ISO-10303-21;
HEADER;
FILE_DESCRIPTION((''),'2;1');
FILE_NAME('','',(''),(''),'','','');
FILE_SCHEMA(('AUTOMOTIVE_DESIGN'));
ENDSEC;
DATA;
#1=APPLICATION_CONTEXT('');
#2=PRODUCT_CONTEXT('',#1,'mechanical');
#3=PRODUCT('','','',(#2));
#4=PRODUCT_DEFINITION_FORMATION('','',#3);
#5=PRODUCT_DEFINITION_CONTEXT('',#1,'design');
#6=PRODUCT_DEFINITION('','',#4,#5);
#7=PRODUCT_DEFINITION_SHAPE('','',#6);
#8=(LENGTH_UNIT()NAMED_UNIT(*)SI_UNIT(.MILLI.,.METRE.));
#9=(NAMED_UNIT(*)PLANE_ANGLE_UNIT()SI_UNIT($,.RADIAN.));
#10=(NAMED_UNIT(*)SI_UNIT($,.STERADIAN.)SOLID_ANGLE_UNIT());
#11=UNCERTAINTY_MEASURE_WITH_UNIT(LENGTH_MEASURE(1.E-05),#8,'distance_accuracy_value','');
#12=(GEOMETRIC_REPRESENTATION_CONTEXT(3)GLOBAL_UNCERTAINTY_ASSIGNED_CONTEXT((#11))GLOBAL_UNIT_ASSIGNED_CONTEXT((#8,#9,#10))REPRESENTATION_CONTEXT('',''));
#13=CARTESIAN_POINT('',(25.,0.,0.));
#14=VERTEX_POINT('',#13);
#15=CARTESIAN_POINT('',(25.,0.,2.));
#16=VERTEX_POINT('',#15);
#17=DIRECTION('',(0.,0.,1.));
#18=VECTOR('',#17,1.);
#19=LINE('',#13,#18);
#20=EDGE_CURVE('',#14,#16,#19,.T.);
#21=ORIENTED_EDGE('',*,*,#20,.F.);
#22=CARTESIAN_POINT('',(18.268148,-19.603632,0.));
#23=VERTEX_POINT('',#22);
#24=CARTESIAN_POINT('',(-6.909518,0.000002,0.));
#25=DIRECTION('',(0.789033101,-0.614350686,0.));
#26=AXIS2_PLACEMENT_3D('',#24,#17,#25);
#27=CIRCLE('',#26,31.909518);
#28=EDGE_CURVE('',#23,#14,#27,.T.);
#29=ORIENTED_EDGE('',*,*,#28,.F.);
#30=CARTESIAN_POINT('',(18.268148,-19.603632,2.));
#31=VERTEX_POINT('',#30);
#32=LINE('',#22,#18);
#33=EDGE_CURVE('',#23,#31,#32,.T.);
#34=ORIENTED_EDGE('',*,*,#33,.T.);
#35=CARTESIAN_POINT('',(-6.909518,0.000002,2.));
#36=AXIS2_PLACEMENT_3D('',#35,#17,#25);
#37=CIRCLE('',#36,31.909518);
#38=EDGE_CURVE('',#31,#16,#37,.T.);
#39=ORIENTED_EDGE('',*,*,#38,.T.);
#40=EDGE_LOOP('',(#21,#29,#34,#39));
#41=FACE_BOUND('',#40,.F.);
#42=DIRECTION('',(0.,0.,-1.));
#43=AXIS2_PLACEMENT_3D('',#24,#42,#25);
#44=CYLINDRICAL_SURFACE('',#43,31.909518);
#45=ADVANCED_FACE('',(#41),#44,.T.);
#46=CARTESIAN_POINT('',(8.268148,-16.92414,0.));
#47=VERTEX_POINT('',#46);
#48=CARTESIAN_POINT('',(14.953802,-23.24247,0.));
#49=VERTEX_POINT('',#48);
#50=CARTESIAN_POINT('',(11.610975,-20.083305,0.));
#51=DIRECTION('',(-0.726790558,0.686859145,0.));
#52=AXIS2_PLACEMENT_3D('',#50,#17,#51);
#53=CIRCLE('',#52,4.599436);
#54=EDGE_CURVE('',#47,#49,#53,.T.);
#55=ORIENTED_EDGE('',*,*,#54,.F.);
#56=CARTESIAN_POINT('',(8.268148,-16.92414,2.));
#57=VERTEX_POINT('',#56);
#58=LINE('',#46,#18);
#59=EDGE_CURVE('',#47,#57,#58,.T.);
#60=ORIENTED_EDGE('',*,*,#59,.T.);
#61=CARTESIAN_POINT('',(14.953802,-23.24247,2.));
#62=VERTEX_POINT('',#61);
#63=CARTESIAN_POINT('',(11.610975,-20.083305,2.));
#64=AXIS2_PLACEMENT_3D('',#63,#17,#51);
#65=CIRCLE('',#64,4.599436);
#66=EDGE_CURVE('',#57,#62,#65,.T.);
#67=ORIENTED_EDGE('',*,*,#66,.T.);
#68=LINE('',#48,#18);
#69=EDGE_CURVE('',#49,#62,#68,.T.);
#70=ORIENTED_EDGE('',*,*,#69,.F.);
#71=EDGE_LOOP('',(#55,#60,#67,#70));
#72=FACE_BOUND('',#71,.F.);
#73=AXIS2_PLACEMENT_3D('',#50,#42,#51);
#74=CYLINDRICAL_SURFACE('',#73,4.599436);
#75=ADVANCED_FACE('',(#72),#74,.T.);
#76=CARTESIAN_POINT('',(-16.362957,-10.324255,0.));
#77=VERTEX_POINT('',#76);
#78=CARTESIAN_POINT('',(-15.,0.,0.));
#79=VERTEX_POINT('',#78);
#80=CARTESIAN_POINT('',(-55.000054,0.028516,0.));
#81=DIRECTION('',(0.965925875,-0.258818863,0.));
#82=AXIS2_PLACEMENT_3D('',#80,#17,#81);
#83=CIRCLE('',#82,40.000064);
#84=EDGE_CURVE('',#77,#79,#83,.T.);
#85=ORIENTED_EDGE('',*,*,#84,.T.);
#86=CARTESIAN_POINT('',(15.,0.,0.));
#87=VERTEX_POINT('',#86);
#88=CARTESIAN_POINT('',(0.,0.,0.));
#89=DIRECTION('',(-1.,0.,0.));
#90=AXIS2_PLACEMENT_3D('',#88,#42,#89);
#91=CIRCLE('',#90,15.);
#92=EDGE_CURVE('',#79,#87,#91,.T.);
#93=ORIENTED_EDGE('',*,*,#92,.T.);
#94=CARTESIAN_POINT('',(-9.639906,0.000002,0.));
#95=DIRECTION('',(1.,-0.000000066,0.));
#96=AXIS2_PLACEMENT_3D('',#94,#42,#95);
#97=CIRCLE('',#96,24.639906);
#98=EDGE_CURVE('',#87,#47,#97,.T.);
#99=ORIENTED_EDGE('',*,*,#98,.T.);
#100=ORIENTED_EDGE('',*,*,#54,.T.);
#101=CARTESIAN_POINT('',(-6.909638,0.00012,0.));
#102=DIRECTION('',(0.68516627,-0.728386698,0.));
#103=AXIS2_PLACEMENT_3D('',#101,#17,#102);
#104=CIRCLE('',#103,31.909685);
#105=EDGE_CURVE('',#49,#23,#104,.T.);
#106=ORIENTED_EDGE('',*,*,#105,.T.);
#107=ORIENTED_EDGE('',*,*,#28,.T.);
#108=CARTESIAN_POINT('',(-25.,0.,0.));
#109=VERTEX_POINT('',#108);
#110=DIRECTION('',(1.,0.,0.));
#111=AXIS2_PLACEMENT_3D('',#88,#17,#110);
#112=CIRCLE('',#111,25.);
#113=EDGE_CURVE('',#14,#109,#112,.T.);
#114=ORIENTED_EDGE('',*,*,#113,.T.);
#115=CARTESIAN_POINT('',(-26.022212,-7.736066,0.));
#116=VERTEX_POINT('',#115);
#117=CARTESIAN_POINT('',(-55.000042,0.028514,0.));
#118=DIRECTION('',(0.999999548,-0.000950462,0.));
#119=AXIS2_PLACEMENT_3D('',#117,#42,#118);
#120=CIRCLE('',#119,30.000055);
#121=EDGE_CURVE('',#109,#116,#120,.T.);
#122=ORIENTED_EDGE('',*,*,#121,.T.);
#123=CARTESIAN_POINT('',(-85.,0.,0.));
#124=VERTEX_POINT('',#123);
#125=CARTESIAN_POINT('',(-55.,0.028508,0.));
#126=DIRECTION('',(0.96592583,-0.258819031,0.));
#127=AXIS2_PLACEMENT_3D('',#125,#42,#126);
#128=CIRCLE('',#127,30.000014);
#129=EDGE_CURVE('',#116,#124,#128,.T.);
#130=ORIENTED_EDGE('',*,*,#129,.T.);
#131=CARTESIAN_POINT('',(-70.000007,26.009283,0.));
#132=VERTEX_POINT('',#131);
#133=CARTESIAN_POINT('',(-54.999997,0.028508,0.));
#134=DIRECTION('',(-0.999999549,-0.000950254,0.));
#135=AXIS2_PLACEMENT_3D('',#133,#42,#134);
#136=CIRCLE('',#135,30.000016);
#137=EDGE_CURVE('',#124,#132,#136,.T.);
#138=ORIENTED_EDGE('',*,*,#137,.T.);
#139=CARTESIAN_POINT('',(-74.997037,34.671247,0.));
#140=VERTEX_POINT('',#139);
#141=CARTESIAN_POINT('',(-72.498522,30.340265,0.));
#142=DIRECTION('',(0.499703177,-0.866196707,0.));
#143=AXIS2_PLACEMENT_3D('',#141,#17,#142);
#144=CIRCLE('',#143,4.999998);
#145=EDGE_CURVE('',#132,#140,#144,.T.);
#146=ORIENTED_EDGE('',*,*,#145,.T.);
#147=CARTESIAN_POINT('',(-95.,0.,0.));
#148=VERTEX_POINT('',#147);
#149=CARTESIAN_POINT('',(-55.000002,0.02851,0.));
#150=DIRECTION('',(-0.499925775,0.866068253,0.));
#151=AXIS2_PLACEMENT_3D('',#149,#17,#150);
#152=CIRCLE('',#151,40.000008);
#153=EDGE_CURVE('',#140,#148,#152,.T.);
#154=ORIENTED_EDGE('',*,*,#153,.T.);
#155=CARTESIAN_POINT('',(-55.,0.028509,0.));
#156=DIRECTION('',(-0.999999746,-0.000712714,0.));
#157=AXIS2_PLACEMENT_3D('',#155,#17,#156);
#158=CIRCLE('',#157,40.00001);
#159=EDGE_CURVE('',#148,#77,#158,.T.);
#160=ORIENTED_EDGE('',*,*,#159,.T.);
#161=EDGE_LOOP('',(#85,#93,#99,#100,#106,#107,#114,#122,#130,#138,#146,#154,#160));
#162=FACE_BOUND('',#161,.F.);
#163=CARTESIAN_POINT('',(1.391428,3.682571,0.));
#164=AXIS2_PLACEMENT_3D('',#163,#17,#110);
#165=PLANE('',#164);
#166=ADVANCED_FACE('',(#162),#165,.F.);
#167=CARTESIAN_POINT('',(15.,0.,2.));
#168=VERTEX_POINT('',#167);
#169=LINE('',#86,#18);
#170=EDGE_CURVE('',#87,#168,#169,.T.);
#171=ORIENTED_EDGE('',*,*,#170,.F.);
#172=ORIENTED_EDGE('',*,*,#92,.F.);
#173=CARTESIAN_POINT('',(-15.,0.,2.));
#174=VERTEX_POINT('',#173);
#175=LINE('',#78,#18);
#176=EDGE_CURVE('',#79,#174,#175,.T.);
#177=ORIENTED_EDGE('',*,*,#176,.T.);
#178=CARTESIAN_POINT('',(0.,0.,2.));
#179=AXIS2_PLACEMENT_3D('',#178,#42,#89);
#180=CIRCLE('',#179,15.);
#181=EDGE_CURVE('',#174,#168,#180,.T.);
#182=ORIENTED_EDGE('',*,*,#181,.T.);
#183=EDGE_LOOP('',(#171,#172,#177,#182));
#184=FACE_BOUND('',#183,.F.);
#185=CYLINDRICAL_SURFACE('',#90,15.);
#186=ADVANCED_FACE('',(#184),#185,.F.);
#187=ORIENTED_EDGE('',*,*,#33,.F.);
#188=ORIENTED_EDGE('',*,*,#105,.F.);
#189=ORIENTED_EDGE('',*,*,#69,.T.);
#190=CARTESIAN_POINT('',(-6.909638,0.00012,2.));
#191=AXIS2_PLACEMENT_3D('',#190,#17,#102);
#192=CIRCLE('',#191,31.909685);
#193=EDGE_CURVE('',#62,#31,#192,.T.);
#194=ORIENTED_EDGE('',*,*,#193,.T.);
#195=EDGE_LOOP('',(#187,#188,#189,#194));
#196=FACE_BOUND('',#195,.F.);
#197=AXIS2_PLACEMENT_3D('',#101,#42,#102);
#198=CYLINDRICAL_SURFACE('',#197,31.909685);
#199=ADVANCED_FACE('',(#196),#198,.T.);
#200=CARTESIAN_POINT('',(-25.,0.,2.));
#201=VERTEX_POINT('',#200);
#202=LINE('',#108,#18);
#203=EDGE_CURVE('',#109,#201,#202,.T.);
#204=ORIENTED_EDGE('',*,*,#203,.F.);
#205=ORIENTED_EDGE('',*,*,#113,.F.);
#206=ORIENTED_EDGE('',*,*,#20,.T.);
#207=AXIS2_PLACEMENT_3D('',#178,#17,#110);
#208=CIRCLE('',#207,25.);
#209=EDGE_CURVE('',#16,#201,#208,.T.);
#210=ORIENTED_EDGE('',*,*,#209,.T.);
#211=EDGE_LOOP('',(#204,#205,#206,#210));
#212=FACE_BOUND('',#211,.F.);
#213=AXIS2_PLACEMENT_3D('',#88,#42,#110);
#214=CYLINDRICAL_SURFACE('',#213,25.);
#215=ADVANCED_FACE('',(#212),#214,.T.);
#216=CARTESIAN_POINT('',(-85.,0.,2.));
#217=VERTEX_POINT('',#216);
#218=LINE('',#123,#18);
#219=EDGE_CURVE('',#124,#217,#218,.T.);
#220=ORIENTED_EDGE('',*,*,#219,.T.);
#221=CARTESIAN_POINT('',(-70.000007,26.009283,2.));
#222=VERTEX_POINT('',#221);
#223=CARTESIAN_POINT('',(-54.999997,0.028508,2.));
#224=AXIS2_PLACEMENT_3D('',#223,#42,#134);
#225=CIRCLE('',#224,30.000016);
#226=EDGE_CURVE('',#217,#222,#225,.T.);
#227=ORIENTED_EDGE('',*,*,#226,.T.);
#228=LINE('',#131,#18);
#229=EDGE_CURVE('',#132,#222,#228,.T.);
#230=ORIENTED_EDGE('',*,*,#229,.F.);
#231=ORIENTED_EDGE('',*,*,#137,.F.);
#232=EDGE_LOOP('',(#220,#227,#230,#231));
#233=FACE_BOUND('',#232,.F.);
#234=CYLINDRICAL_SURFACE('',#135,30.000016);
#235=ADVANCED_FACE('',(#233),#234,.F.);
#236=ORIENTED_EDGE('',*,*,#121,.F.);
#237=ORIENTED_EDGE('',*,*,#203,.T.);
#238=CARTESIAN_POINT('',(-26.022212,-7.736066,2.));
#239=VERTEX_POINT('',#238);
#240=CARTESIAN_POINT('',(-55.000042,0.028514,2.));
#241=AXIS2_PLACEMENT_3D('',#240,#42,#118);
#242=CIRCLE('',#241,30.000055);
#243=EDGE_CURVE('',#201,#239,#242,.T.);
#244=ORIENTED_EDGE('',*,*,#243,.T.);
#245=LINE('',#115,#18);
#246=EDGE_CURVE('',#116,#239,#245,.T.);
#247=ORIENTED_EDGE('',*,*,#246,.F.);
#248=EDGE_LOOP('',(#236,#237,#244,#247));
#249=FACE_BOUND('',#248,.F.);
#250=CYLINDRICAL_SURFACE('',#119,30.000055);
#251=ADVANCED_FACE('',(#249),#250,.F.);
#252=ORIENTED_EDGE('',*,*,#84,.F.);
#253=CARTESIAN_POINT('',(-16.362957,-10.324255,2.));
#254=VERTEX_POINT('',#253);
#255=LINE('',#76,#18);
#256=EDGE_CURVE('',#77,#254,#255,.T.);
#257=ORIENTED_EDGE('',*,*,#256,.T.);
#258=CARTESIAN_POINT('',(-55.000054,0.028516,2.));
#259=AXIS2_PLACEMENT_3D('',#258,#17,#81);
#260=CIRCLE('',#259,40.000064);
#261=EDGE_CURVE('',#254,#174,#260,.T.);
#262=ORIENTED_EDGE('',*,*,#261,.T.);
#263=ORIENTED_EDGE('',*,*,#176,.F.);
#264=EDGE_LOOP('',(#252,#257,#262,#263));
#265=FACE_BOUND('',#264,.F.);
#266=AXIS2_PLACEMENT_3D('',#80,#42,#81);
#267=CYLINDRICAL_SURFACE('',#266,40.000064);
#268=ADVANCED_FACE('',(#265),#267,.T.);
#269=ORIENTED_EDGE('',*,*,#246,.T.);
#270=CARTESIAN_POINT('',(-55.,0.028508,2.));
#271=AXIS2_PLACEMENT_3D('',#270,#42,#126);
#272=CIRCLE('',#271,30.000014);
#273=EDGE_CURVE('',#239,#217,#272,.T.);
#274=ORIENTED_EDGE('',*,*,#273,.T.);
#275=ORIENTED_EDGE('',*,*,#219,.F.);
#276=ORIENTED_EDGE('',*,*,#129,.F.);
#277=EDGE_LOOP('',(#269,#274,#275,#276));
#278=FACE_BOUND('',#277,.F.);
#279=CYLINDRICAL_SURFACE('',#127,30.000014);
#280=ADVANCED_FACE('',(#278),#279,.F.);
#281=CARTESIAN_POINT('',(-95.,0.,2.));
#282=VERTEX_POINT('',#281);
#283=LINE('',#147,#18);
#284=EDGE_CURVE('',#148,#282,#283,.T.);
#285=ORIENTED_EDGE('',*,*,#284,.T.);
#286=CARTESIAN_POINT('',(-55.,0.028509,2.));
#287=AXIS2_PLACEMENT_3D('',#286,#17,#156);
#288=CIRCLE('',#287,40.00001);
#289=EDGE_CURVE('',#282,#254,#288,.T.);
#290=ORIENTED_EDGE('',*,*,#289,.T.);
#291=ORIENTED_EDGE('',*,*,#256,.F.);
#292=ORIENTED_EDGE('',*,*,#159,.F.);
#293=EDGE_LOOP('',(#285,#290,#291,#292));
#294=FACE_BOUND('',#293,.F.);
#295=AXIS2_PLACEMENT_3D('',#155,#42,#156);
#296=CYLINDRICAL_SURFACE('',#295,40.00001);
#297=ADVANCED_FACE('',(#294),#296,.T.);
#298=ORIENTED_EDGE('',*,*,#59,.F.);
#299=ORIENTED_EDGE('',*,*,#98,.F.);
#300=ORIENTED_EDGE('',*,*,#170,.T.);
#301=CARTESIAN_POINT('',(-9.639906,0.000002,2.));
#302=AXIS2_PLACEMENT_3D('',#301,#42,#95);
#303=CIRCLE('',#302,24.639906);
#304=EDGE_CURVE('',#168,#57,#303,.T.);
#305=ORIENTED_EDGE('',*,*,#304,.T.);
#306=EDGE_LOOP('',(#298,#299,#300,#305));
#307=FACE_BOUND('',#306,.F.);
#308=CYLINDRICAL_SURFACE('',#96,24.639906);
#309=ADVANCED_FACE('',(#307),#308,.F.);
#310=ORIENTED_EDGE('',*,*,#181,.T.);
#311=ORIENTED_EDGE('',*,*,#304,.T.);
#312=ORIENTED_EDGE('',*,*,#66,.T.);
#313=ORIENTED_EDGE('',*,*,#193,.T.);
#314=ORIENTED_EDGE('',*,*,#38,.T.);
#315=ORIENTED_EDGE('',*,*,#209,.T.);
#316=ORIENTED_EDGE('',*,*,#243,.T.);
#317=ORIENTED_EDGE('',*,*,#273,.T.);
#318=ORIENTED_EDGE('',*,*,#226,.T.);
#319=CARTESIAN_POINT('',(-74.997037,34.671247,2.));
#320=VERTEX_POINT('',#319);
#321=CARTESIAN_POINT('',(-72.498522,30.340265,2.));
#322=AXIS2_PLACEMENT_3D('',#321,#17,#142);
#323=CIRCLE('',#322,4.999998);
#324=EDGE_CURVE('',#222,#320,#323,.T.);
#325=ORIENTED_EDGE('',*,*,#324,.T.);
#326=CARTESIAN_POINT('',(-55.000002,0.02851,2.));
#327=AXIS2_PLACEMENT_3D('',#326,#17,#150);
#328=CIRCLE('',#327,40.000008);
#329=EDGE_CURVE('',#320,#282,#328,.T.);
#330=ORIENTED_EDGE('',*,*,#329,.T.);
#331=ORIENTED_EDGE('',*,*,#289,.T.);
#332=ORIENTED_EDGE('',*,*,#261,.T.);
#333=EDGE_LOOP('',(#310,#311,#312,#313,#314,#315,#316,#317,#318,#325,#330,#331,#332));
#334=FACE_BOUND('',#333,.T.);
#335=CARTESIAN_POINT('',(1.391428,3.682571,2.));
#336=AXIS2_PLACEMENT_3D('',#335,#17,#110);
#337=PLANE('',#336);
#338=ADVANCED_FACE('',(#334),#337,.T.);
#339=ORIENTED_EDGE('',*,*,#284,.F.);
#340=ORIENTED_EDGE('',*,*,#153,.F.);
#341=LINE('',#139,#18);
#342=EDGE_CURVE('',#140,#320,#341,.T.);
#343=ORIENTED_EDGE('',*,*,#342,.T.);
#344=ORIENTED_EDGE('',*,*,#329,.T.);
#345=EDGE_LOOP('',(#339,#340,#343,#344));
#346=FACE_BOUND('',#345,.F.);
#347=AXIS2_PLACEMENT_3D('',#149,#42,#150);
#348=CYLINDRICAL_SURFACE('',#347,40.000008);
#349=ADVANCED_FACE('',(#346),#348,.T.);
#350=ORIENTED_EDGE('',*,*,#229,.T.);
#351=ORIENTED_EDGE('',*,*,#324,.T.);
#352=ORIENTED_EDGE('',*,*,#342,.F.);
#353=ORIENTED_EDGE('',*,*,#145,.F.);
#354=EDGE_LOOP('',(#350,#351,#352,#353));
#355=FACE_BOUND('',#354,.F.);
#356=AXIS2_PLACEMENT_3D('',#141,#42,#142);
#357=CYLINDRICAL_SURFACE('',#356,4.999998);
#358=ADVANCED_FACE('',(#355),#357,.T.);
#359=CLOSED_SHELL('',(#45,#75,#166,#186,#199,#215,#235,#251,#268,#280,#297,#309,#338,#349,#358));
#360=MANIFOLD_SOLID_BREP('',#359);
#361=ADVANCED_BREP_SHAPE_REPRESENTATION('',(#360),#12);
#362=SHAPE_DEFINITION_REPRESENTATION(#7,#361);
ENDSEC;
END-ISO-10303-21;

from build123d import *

# Parameters (mm, degrees)
F1_DEPTH = 2


with BuildPart() as f1:
    # F0 (on Top) → F1 (new body)
    with BuildSketch(Plane.XY):
        with BuildLine():
            ThreePointArc((-15, 0), (0, 15), (15, 0))
            ThreePointArc((15, 0), (13.255265, -9.106925), (8.268148, -16.92414))
            Line((8.268148, -16.92414), (18.268148, -19.603632))
            ThreePointArc((18.268148, -19.603632), (23.270148, -10.363641), (25, 0))
            ThreePointArc((25, 0), (0, 25), (-25, 0))
            ThreePointArc((-25, 0), (-25.258505, -3.901411), (-26.022212, -7.736066))
            Line((-26.022212, -7.736066), (-16.362957, -10.324255))
            ThreePointArc((-16.362957, -10.324255), (-15.344059, -5.206672), (-15, 0))
        make_face()
        with BuildLine():
            Line((18.268148, -19.603632), (8.268148, -16.92414))
            Line((8.268148, -16.92414), (14.953802, -23.24247))
            ThreePointArc((14.953802, -23.24247), (16.68124, -21.48705), (18.268148, -19.603632))
        make_face()
        with BuildLine():
            Line((14.953802, -23.24247), (8.268148, -16.92414))
            ThreePointArc((8.268148, -16.92414), (8.45181, -23.426132), (14.953802, -23.24247))
        make_face()
        with BuildLine():
            ThreePointArc((-95, 0), (-60.206916, -39.631154), (-16.362957, -10.324255))
            Line((-16.362957, -10.324255), (-26.022212, -7.736066))
            ThreePointArc((-26.022212, -7.736066), (-58.901655, -29.716708), (-85, 0))
            ThreePointArc((-85, 0), (-80.987898, 15.016169), (-70.000007, 26.009283))
            ThreePointArc((-70.000007, 26.009283), (-68.16754, 32.83878), (-74.997037, 34.671247))
            ThreePointArc((-74.997037, 34.671247), (-89.647294, 20.017652), (-95, 0))
        make_face()
    extrude(amount=F1_DEPTH)


solid = f1.part
